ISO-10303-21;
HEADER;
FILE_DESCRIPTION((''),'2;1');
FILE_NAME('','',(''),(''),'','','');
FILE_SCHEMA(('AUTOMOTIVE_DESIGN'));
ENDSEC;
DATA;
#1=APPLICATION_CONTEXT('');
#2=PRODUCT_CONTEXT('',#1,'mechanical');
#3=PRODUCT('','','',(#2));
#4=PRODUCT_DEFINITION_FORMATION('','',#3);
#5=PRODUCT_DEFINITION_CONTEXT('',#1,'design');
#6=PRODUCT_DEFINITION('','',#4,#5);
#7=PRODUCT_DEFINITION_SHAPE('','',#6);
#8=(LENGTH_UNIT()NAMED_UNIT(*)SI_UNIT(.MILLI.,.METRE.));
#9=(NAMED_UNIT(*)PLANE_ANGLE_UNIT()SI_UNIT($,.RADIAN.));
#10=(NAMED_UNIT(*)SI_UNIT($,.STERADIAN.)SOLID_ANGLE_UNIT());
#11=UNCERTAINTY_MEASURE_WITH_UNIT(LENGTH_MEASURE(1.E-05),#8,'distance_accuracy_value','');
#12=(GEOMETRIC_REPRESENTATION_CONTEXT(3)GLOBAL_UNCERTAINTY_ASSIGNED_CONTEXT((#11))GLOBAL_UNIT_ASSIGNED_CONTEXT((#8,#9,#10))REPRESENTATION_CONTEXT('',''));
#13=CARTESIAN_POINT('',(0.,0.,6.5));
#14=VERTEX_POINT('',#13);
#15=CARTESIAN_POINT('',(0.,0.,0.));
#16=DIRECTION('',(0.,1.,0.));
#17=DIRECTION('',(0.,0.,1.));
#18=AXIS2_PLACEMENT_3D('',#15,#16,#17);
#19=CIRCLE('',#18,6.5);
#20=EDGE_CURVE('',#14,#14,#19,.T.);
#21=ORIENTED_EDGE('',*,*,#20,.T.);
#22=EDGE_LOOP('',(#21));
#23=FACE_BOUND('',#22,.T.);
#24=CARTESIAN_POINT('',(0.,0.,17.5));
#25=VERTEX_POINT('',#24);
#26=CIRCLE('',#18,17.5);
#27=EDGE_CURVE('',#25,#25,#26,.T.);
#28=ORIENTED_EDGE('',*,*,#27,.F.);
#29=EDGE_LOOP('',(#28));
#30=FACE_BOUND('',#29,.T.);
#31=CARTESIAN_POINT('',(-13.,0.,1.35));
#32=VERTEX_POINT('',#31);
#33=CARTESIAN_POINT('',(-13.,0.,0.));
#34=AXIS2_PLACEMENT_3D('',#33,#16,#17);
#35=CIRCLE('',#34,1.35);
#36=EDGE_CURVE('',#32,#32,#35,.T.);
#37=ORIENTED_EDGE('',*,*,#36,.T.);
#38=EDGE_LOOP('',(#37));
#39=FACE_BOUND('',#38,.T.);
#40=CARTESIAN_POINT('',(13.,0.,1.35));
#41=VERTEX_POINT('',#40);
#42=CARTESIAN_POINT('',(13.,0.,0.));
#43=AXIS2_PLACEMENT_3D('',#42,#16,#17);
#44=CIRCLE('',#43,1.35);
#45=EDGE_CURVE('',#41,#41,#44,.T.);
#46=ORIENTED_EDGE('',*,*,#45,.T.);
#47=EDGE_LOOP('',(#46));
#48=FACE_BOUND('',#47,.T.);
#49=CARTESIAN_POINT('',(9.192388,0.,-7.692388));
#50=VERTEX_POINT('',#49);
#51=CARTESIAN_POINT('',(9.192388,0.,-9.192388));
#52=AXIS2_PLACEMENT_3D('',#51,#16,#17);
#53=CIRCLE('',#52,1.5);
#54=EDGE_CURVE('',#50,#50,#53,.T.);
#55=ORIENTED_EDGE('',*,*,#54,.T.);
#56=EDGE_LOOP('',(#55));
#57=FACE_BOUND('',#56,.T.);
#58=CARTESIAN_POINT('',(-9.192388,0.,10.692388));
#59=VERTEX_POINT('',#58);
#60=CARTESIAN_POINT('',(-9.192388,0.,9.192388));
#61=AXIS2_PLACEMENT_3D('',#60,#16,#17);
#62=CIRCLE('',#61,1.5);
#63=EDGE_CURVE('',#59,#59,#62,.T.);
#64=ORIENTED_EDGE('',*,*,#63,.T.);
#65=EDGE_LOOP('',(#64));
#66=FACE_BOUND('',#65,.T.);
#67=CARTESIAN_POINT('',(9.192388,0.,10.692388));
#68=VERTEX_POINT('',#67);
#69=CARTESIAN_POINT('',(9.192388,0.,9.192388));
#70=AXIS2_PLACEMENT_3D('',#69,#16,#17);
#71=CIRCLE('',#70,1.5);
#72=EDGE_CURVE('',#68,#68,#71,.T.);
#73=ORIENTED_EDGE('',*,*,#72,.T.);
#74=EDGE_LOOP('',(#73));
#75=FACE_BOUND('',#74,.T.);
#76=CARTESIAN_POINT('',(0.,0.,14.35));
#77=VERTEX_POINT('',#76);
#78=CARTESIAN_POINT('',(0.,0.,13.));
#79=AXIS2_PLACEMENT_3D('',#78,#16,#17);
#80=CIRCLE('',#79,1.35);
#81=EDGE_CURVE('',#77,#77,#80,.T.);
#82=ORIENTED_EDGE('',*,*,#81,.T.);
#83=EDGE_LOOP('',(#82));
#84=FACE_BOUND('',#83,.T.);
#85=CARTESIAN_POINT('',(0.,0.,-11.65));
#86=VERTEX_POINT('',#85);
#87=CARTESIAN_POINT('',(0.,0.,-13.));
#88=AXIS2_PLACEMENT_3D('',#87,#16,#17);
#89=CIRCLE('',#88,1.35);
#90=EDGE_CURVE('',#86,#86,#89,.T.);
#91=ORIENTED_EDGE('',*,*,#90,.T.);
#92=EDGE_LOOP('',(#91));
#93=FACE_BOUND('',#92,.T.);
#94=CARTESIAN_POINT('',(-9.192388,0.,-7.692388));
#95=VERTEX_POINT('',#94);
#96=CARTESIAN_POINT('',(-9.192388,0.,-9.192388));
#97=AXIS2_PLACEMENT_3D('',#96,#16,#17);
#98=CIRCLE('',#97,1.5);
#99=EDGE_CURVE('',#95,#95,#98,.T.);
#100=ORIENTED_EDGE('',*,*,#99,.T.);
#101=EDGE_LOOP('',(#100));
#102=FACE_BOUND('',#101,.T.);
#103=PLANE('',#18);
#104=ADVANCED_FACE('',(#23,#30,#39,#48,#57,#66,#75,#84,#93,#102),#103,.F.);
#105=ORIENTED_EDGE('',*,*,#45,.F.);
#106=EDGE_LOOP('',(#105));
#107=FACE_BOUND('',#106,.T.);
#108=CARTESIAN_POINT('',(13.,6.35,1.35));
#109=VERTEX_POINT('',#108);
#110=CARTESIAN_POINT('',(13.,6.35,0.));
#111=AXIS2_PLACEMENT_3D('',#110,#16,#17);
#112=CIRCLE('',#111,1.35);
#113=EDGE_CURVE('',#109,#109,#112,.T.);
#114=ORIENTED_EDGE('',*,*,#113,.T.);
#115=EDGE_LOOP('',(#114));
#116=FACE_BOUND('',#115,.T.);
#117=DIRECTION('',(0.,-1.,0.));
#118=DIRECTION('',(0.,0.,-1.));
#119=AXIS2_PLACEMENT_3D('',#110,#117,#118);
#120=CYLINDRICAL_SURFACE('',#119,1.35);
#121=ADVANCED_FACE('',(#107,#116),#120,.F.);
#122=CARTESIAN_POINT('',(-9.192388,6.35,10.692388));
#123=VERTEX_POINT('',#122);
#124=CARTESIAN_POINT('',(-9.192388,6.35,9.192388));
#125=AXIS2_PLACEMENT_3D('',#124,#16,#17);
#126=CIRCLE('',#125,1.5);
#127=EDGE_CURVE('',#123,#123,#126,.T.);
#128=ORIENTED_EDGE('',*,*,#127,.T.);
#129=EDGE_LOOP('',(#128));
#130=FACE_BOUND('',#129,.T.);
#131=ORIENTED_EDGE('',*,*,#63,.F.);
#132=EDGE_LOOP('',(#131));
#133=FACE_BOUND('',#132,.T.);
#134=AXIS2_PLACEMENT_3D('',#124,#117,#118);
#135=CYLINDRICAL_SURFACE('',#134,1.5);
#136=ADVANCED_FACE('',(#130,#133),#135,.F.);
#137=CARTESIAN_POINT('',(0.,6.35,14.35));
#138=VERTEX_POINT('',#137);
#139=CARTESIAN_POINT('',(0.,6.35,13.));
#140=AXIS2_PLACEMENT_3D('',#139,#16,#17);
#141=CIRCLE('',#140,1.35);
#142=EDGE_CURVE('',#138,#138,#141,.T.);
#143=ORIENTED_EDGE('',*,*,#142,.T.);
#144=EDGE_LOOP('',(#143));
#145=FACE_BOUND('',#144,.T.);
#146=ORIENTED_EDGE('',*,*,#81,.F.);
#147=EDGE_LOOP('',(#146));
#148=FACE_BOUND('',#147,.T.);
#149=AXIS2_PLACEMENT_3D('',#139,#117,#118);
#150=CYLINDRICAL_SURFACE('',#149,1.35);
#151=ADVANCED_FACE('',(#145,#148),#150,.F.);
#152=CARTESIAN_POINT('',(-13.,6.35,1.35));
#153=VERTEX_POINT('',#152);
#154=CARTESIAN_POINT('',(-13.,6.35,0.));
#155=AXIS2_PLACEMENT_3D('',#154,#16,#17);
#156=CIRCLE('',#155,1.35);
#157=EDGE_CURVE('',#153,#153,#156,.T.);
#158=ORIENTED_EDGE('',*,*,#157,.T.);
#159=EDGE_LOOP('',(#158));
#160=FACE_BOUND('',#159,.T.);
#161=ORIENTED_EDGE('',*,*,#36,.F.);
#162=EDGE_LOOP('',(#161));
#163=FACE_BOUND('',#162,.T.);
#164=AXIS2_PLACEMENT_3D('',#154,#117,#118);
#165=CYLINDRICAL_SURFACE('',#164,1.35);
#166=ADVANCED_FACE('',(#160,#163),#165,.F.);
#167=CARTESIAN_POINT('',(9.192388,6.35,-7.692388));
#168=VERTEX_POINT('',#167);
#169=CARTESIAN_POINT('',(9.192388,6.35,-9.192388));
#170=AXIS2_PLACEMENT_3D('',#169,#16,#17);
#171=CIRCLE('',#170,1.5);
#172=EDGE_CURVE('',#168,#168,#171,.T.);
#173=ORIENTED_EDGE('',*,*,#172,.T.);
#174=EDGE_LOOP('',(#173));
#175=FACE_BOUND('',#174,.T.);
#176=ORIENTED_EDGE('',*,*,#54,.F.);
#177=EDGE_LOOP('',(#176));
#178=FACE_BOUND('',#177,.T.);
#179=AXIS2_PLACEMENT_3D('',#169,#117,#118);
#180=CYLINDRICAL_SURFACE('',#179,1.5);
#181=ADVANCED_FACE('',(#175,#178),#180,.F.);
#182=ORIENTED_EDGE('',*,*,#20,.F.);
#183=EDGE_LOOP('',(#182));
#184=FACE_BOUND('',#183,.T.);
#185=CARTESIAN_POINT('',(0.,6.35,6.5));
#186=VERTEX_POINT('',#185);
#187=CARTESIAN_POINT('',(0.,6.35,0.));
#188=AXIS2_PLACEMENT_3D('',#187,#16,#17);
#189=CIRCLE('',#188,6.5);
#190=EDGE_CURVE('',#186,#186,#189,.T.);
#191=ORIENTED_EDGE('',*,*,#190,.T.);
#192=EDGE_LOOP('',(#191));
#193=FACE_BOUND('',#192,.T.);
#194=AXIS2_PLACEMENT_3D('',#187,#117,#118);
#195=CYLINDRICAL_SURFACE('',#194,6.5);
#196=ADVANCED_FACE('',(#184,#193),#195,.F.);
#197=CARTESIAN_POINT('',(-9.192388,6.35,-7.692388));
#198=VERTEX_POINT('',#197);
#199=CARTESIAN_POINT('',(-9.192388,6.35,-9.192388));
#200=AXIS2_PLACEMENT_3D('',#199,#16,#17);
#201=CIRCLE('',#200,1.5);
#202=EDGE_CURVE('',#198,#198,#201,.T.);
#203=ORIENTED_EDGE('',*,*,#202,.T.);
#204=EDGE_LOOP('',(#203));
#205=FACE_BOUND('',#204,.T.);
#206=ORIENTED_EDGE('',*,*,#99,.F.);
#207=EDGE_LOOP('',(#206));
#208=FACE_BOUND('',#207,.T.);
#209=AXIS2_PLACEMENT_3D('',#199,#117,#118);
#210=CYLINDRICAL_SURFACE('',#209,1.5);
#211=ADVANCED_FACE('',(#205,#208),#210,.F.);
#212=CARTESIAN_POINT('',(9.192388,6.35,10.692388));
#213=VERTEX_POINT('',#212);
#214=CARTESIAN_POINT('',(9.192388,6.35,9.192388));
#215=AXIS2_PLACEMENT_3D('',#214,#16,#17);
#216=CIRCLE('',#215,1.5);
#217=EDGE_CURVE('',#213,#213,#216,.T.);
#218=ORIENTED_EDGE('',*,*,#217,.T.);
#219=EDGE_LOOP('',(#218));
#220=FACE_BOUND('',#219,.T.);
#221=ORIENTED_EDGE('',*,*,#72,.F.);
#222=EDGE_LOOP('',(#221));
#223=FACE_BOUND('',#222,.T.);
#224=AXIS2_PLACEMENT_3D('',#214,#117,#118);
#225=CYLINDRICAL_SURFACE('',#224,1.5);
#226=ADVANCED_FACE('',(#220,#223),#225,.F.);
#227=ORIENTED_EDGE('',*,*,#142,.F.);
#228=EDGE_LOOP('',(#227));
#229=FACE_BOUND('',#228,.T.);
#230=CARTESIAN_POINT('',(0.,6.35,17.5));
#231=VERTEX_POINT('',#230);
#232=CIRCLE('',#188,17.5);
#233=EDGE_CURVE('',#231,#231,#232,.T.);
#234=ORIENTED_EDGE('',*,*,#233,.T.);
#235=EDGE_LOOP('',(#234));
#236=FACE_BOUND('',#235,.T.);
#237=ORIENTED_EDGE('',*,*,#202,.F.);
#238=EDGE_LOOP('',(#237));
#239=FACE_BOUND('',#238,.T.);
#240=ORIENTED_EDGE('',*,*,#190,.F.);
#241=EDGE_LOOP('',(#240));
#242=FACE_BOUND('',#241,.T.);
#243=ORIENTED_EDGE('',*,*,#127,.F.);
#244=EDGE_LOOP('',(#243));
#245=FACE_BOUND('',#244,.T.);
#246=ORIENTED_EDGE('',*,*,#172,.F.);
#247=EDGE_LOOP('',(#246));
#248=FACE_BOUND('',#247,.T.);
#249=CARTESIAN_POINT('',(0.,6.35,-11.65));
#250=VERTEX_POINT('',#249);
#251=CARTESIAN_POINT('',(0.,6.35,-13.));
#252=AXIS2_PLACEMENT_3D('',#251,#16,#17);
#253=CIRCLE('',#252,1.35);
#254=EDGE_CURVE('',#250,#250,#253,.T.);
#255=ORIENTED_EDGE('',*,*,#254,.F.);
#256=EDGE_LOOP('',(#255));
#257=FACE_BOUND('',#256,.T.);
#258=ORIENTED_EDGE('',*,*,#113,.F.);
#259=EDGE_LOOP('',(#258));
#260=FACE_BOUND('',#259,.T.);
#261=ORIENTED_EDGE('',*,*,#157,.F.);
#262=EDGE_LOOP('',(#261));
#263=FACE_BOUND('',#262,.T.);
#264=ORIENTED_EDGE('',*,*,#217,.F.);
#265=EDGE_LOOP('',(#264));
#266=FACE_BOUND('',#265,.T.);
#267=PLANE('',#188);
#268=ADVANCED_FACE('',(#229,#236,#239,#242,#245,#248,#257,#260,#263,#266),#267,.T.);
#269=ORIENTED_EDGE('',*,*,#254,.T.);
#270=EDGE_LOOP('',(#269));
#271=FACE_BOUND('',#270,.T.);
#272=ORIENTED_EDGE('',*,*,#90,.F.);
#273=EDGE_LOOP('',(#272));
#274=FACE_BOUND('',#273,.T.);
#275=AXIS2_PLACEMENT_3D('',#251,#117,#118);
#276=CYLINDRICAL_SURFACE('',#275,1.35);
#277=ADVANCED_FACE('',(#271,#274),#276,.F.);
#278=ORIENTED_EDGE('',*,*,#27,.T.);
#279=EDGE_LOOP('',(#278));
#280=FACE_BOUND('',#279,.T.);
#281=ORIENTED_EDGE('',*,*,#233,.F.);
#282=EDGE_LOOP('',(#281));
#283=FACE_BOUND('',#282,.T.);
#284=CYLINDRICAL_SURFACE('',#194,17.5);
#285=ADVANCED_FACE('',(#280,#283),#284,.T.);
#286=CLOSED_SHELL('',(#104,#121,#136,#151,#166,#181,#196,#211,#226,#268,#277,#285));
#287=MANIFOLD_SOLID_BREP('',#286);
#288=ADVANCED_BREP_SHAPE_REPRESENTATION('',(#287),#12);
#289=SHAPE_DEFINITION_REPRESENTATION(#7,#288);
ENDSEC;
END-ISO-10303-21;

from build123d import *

# Parameters (mm, degrees)
SKETCH1_R           = 17.5
SKETCH1_R_2         = 6.5
SKETCH1_R_3         = 1.5
SKETCH1_R_4         = 1.35
BOSS_EXTRUDE1_DEPTH = 6.35


with BuildPart() as part:
    # Sketch1 → Boss-Extrude1 (new body)
    with BuildSketch(Plane(origin=(0, 0, 0), x_dir=(1, 0, 0), z_dir=(0, 1, 0))):
        with Locations(Location((0, 0, 0), (0, 0, 270))):
            Circle(SKETCH1_R)
        with Locations(Location((0, 0, 0), (0, 0, 270))):
            Circle(SKETCH1_R_2, mode=Mode.SUBTRACT)
        with Locations(Location((9.192388155, 9.192388155, 0), (0, 0, 270))):
            Circle(SKETCH1_R_3, mode=Mode.SUBTRACT)
        with Locations(Location((0, 13, 0), (0, 0, 270))):
            Circle(SKETCH1_R_4, mode=Mode.SUBTRACT)
        with Locations(Location((9.192388155, -9.192388155, 0), (0, 0, 270))):
            Circle(SKETCH1_R_3, mode=Mode.SUBTRACT)
        with Locations(Location((13, 0, 0), (0, 0, 270))):
            Circle(SKETCH1_R_4, mode=Mode.SUBTRACT)
        with Locations(Location((-9.192388155, -9.192388155, 0), (0, 0, 270))):
            Circle(SKETCH1_R_3, mode=Mode.SUBTRACT)
        with Locations(Location((0, -13, 0), (0, 0, 270))):
            Circle(SKETCH1_R_4, mode=Mode.SUBTRACT)
        with Locations(Location((-9.192388155, 9.192388155, 0), (0, 0, 270))):
            Circle(SKETCH1_R_3, mode=Mode.SUBTRACT)
        with Locations(Location((-13, 0, 0), (0, 0, 270))):
            Circle(SKETCH1_R_4, mode=Mode.SUBTRACT)
    extrude(amount=BOSS_EXTRUDE1_DEPTH)


solid = part.part
